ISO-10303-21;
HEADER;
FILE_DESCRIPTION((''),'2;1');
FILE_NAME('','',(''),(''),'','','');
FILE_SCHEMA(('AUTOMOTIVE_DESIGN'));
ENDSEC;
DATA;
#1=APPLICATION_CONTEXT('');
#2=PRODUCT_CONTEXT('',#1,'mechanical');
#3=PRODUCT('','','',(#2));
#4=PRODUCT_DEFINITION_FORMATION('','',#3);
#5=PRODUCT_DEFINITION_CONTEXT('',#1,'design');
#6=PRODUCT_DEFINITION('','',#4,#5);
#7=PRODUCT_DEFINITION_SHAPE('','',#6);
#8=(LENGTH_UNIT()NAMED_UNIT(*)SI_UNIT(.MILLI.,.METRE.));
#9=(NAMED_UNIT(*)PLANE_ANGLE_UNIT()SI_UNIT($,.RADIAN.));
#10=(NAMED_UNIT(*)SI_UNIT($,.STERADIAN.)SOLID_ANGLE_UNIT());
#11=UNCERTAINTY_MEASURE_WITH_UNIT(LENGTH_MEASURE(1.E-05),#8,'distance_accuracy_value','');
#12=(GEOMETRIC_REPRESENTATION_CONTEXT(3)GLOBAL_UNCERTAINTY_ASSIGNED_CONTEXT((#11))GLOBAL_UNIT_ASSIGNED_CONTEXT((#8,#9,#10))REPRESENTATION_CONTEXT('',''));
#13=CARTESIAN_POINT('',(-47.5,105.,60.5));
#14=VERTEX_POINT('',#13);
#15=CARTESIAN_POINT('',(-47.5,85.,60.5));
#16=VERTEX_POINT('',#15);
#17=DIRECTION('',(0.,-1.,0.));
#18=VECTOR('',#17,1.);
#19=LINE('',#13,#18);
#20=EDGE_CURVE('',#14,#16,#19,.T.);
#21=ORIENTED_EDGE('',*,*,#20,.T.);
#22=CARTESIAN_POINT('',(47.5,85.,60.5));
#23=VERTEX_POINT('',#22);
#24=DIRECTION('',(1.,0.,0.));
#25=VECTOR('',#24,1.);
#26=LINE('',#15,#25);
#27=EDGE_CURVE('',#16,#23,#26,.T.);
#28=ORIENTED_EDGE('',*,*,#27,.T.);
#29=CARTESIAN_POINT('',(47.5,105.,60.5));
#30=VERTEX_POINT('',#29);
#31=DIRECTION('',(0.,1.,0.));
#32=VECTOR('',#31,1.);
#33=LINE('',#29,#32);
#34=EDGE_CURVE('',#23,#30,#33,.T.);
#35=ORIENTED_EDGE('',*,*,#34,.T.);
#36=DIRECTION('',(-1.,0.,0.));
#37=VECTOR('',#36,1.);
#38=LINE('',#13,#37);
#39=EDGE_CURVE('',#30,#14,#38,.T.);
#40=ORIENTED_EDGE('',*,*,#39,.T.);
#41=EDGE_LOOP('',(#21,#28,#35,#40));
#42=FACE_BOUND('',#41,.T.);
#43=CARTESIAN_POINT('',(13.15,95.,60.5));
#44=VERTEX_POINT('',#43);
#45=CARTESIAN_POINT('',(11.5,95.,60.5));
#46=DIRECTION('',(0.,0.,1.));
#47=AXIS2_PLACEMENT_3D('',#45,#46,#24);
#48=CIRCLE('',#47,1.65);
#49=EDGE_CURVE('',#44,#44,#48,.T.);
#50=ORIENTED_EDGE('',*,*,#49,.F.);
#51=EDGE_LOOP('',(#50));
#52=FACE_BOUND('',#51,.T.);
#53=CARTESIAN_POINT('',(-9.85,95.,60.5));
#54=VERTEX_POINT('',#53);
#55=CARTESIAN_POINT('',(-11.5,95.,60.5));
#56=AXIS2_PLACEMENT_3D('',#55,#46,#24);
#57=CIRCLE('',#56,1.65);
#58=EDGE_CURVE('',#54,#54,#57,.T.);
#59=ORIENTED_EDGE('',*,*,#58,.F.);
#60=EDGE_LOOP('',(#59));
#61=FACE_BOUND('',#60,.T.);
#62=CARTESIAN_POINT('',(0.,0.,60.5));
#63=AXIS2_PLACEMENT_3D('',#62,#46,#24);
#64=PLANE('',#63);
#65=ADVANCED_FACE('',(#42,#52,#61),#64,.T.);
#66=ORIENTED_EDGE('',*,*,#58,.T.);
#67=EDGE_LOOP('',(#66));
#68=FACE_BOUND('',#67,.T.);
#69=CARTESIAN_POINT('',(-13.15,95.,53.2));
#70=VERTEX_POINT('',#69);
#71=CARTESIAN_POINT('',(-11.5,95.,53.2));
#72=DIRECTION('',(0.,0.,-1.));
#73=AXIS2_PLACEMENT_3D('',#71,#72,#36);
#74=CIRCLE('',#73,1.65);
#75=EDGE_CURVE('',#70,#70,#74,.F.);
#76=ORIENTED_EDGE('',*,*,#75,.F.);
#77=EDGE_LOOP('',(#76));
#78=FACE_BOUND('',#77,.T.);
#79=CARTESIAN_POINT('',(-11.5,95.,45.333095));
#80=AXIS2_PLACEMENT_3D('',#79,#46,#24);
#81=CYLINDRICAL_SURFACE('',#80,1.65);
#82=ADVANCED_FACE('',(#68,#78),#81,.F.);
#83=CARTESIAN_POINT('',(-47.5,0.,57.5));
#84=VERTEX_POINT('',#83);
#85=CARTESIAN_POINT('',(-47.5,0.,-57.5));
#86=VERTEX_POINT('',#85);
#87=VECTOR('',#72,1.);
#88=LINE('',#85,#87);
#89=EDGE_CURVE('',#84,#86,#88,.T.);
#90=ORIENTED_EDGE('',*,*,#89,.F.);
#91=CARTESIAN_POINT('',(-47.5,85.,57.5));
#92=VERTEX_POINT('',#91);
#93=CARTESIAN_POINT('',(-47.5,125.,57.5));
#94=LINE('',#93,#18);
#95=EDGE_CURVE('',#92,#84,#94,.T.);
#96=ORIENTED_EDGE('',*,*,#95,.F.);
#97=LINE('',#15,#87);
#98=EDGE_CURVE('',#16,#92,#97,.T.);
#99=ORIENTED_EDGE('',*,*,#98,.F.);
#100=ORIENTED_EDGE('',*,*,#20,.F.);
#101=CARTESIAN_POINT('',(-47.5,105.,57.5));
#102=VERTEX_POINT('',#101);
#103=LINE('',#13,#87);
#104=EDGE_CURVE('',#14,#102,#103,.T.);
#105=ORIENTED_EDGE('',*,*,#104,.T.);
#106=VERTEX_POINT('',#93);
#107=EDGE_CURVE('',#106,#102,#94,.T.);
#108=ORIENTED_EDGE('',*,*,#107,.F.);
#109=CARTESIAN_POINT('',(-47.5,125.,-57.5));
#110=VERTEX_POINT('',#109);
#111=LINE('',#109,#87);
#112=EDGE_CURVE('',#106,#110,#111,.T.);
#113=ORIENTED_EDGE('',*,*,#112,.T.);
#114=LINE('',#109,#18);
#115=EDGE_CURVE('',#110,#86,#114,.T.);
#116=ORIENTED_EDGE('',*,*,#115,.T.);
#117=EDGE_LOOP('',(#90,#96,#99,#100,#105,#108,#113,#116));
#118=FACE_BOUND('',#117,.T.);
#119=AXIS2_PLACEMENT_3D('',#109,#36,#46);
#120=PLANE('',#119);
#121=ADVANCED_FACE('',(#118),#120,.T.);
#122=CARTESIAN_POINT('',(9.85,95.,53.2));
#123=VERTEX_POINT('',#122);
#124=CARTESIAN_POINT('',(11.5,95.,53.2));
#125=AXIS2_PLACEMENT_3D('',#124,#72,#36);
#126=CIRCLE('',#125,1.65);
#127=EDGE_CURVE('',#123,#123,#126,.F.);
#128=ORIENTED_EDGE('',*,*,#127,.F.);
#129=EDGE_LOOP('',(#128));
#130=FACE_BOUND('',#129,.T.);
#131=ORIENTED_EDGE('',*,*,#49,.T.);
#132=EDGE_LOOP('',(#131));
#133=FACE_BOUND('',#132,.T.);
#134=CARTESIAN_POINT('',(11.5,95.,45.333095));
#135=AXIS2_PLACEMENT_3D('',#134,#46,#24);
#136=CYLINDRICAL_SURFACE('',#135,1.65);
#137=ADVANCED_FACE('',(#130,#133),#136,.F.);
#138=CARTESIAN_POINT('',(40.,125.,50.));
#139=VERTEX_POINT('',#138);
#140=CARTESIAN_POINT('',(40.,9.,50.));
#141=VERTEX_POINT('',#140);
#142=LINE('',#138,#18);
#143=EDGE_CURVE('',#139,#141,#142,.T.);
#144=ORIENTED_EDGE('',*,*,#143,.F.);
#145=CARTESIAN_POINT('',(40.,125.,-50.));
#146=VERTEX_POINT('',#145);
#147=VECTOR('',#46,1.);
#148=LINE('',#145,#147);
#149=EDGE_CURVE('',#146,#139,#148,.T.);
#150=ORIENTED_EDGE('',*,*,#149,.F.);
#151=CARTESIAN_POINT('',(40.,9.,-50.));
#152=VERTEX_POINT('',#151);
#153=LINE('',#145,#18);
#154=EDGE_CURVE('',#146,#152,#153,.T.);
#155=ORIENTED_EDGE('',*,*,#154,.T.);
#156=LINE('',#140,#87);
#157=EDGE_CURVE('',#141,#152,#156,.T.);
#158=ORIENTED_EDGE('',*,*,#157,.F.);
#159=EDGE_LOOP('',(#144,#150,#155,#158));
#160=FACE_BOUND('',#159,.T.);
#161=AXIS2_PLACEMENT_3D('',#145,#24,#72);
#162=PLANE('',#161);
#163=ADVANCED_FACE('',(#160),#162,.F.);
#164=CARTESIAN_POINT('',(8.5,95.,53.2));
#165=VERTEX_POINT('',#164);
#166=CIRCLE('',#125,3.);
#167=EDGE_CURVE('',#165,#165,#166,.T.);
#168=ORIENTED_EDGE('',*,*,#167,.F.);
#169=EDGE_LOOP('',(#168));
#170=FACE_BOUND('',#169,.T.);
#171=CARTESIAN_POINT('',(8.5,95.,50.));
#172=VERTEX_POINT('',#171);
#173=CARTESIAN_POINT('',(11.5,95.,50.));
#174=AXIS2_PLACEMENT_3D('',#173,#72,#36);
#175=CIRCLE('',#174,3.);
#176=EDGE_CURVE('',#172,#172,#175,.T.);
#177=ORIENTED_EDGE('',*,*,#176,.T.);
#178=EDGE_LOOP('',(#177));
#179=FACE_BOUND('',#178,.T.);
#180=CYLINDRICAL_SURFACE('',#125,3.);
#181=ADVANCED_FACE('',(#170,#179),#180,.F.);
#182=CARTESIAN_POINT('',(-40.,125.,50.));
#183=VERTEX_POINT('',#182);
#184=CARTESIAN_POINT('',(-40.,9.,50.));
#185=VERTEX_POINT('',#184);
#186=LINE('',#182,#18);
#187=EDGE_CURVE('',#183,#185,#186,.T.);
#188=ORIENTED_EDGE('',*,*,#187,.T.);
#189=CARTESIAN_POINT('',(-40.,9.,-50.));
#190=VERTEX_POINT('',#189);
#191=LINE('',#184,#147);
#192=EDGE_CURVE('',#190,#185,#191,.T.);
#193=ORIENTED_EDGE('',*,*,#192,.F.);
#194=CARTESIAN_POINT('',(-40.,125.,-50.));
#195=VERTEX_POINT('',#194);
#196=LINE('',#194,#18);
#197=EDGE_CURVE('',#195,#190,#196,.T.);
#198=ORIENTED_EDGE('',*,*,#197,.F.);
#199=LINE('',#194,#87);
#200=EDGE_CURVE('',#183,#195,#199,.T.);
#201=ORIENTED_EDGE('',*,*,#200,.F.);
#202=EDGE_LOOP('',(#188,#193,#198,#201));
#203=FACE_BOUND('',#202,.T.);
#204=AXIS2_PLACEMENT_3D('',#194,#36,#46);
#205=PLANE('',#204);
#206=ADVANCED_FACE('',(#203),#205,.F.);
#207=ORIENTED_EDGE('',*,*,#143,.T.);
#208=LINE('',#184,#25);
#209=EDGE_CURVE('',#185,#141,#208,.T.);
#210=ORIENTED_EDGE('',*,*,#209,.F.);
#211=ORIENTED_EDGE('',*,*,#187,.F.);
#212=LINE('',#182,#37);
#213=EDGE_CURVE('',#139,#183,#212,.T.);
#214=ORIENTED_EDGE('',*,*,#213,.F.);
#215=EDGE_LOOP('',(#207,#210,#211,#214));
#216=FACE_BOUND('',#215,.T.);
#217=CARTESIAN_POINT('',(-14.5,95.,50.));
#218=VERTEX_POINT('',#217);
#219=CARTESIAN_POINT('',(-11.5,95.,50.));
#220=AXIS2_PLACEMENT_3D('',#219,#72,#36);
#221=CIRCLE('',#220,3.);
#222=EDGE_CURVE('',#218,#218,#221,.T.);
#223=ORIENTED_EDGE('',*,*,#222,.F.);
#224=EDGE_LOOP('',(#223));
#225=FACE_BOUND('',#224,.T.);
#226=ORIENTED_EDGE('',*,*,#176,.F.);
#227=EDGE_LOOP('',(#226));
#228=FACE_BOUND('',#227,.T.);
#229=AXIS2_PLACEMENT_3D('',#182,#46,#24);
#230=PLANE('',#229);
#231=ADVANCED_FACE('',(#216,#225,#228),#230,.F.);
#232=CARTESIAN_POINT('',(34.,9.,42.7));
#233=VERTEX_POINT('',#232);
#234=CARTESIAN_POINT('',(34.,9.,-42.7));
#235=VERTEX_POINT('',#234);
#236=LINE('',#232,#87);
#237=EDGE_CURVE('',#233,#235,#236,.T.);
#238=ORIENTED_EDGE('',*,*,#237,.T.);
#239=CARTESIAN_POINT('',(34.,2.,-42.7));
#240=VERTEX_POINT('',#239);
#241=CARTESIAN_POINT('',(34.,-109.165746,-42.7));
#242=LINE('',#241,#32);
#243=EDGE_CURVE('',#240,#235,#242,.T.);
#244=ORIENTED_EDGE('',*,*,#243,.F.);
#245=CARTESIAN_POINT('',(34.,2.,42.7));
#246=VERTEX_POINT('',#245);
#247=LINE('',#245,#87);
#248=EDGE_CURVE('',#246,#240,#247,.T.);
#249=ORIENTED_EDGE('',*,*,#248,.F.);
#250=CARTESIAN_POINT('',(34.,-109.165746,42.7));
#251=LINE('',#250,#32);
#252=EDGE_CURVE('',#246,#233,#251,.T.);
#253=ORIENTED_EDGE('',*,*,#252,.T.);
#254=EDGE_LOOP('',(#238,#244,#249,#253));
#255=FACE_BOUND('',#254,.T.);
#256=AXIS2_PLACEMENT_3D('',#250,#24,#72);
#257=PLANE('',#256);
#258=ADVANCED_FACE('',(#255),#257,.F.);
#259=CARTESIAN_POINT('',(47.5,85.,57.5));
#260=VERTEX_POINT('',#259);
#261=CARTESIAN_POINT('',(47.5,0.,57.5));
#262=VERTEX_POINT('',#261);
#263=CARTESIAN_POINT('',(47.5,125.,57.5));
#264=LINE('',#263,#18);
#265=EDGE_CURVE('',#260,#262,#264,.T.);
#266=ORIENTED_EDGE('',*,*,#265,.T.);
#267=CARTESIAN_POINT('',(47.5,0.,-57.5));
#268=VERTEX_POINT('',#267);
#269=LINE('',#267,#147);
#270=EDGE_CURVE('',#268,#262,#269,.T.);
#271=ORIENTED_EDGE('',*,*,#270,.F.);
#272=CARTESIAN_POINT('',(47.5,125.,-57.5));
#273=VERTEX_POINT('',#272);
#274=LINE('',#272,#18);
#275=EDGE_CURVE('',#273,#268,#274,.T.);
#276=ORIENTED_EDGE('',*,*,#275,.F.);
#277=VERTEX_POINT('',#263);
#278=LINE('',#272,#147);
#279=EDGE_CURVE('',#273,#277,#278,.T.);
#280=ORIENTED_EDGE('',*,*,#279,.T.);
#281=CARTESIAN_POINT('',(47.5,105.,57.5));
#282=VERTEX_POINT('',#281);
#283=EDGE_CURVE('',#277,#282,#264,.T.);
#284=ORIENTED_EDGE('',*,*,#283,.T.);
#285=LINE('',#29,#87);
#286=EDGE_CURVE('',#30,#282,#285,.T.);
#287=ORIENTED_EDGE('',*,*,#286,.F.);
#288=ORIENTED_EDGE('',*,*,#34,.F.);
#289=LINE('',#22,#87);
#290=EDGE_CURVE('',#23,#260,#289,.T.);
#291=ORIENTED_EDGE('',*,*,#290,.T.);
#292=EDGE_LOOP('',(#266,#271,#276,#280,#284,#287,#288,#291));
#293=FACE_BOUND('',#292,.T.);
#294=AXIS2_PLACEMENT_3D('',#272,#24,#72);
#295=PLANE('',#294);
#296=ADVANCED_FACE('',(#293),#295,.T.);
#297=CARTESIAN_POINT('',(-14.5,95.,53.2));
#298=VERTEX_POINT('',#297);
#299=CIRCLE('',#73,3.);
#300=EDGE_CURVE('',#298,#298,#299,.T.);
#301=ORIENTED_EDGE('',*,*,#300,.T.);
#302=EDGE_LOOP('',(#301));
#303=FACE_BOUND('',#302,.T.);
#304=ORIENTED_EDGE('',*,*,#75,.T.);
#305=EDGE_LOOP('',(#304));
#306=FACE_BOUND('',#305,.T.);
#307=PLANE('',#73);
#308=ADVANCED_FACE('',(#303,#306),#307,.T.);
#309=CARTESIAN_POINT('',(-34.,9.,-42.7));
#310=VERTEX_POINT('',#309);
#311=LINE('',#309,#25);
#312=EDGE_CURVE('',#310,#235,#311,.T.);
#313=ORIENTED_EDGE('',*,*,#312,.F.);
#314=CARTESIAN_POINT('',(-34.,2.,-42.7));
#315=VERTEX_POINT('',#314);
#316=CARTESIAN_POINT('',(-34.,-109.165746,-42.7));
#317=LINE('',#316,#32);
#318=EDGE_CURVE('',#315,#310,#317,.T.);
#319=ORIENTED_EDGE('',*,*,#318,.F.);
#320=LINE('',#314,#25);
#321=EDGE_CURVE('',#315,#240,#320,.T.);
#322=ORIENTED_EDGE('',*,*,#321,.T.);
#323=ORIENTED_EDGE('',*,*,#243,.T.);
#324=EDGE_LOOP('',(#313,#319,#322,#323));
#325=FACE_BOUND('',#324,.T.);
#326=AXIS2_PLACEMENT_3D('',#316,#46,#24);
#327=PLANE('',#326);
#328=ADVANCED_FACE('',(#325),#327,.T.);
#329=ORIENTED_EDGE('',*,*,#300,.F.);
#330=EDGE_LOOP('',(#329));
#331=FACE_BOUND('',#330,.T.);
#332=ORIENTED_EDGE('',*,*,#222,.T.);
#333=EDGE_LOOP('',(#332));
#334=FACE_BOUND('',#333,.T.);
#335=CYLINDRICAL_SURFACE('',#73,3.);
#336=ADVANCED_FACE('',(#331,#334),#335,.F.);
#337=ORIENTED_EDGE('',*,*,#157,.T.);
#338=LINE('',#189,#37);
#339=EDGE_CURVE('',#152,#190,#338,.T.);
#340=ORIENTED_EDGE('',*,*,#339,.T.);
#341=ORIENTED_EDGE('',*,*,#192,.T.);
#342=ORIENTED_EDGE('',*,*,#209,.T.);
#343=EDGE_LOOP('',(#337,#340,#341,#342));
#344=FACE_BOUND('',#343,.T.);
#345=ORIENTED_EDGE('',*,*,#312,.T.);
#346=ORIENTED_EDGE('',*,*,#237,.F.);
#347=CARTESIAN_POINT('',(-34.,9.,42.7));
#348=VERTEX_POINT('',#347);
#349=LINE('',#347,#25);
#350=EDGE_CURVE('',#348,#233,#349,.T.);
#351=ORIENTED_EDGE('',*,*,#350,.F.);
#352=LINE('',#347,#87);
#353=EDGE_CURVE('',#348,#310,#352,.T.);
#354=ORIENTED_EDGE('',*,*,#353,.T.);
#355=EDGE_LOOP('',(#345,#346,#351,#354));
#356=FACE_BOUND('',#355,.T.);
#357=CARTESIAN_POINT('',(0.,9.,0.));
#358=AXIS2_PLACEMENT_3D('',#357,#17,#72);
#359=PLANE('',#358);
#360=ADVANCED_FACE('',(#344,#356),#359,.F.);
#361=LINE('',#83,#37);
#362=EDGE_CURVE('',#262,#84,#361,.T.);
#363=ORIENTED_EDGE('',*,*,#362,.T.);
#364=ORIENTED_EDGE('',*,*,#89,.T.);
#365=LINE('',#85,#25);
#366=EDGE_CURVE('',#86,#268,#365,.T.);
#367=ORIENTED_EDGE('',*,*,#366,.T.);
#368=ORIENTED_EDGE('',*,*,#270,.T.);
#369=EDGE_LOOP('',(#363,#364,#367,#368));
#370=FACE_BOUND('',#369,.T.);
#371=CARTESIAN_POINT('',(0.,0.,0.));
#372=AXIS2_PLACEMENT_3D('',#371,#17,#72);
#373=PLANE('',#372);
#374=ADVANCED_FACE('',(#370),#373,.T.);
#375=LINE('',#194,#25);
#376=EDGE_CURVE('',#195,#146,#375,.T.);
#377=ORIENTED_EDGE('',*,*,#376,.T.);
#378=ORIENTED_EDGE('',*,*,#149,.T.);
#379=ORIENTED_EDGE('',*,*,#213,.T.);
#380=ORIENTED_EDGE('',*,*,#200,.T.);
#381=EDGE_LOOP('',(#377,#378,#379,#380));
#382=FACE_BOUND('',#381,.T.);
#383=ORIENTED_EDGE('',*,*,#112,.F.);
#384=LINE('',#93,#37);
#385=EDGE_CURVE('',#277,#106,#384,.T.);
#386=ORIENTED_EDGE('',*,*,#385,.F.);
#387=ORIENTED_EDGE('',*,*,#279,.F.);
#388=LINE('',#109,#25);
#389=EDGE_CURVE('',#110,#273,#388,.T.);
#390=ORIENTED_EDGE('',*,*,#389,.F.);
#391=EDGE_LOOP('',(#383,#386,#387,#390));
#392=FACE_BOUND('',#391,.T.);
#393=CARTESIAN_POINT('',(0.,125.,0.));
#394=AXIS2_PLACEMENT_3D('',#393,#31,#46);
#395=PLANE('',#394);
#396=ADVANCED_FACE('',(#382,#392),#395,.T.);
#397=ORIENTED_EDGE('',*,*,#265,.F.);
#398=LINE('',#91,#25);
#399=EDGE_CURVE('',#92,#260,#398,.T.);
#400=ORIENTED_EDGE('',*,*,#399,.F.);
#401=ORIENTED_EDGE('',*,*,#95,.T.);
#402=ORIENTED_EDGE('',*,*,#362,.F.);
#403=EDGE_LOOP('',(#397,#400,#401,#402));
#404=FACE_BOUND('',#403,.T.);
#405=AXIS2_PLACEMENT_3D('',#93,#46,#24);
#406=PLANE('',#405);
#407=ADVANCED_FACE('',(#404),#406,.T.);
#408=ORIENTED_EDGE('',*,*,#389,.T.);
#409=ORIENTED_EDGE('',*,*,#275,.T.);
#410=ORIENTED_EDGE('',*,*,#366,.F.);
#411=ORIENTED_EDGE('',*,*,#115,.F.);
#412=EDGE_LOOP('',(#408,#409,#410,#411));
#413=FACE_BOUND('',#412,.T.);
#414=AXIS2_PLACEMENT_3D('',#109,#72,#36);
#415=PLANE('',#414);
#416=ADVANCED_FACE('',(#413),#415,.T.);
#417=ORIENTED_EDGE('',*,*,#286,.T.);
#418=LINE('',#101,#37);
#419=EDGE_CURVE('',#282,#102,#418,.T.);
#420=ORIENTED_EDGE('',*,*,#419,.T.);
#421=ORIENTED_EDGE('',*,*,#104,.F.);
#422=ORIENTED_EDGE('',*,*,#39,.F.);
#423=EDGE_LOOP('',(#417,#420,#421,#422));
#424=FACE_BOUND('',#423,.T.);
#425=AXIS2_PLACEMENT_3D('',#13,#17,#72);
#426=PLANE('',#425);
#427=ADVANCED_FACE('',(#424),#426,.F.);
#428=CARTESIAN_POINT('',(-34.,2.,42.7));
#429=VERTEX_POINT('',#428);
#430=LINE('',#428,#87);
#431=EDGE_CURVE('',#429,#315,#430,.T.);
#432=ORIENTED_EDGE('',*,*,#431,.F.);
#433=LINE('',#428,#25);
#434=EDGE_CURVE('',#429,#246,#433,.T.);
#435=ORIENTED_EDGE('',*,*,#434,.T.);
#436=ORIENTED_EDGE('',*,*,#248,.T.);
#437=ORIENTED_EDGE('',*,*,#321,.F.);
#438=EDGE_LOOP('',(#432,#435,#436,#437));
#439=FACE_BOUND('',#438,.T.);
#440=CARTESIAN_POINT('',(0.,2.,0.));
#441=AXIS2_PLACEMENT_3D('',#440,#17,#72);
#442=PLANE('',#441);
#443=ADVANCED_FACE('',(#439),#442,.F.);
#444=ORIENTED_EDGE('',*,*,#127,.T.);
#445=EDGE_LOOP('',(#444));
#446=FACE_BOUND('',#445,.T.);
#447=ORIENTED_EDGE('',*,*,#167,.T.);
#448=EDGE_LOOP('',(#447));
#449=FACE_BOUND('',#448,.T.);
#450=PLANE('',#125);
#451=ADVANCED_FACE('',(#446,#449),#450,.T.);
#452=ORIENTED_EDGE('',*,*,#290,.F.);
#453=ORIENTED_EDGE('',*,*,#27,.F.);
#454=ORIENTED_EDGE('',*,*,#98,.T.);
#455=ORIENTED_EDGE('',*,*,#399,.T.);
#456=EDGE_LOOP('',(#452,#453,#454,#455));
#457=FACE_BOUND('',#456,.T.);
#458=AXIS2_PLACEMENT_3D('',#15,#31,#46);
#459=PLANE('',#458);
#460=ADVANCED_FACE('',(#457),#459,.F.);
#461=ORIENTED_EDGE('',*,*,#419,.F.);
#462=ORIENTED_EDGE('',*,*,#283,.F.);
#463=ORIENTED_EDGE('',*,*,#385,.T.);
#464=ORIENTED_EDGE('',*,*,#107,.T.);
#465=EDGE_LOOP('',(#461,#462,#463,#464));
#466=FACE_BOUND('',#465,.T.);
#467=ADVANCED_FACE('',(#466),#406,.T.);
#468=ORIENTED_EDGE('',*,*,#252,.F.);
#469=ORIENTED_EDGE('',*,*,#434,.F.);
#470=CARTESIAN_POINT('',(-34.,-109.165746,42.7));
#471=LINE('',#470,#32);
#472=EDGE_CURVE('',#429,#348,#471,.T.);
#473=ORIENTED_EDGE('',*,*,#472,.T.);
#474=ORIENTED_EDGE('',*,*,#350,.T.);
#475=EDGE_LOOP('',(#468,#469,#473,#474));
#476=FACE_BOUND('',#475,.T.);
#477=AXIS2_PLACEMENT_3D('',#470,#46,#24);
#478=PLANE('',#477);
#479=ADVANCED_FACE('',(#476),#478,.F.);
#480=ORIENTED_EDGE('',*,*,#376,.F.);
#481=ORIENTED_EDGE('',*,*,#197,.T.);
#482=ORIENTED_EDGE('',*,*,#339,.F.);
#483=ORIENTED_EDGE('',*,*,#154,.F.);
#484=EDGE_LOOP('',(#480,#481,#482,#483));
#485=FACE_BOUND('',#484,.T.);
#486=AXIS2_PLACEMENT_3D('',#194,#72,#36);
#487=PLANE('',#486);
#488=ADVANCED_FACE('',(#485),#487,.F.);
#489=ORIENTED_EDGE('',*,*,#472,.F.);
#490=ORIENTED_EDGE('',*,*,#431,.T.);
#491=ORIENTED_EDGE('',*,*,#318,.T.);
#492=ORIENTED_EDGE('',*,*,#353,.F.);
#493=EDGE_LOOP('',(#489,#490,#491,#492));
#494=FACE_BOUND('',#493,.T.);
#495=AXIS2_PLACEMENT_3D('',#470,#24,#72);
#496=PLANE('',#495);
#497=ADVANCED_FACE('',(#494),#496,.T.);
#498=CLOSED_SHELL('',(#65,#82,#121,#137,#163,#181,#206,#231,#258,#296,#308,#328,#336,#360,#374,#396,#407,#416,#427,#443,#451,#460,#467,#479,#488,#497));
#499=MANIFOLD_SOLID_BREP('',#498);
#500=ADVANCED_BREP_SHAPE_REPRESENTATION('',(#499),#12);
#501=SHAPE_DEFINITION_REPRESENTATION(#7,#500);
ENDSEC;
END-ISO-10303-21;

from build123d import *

# Parameters (mm, degrees)
SKETCH1_W           = 80
SKETCH1_H           = 100
BOSS_EXTRUDE1_DEPTH = 9
SKETCH2_W           = 68
SKETCH2_H           = 85.4
CUT_EXTRUDE1_DEPTH  = 7
SKETCH3_W           = 95
SKETCH3_H           = 115
SKETCH3_W_2         = 80
SKETCH3_H_2         = 100
BOSS_EXTRUDE2_DEPTH = 125
SKETCH6_W           = 95
SKETCH6_H           = 20
BOSS_EXTRUDE4_DEPTH = 3
SKETCH7_R           = 1.65
CUT_EXTRUDE2_DEPTH  = 10.5
SKETCH9_R           = 3
CUT_EXTRUDE3_DEPTH  = 3.2


with BuildPart() as part:
    # Sketch1 → Boss-Extrude1 (new body)
    with BuildSketch(Plane(origin=(0, 0, 0), x_dir=(1, 0, 0), z_dir=(0, 1, 0))):
        Rectangle(SKETCH1_W, SKETCH1_H)
    extrude(amount=BOSS_EXTRUDE1_DEPTH)

    # Sketch2 → Cut-Extrude1 (cut)
    with BuildSketch(Plane(origin=(0, 9, 0), x_dir=(1, 0, 0), z_dir=(0, 1, 0))):
        Rectangle(SKETCH2_W, SKETCH2_H)
    extrude(amount=-CUT_EXTRUDE1_DEPTH, mode=Mode.SUBTRACT)

    # Sketch3 → Boss-Extrude2 (add)
    with BuildSketch(Plane.XZ):
        Rectangle(SKETCH3_W, SKETCH3_H)
        Rectangle(SKETCH3_W_2, SKETCH3_H_2, mode=Mode.SUBTRACT)
    extrude(amount=-BOSS_EXTRUDE2_DEPTH)

    # Sketch6 → Boss-Extrude4 (add)
    with BuildSketch(Plane.XY.offset(57.5)):
        with Locations((0, 95)):
            Rectangle(SKETCH6_W, SKETCH6_H)
    extrude(amount=BOSS_EXTRUDE4_DEPTH)

    # Sketch7 → Cut-Extrude2 (cut)
    with BuildSketch(Plane.XY.offset(60.5)):
        with Locations((-11.5, 95)):
            Circle(SKETCH7_R)
        with Locations((11.5, 95)):
            Circle(SKETCH7_R)
    extrude(amount=-CUT_EXTRUDE2_DEPTH, mode=Mode.SUBTRACT)

    # Sketch9 → Cut-Extrude3 (cut)
    with BuildSketch(Plane(origin=(0, 0, 50), x_dir=(-1, 0, 0), z_dir=(0, 0, -1))):
        with Locations((-11.5, 95)):
            Circle(SKETCH9_R)
        with Locations((11.5, 95)):
            Circle(SKETCH9_R)
    extrude(amount=-CUT_EXTRUDE3_DEPTH, mode=Mode.SUBTRACT)


solid = part.part
